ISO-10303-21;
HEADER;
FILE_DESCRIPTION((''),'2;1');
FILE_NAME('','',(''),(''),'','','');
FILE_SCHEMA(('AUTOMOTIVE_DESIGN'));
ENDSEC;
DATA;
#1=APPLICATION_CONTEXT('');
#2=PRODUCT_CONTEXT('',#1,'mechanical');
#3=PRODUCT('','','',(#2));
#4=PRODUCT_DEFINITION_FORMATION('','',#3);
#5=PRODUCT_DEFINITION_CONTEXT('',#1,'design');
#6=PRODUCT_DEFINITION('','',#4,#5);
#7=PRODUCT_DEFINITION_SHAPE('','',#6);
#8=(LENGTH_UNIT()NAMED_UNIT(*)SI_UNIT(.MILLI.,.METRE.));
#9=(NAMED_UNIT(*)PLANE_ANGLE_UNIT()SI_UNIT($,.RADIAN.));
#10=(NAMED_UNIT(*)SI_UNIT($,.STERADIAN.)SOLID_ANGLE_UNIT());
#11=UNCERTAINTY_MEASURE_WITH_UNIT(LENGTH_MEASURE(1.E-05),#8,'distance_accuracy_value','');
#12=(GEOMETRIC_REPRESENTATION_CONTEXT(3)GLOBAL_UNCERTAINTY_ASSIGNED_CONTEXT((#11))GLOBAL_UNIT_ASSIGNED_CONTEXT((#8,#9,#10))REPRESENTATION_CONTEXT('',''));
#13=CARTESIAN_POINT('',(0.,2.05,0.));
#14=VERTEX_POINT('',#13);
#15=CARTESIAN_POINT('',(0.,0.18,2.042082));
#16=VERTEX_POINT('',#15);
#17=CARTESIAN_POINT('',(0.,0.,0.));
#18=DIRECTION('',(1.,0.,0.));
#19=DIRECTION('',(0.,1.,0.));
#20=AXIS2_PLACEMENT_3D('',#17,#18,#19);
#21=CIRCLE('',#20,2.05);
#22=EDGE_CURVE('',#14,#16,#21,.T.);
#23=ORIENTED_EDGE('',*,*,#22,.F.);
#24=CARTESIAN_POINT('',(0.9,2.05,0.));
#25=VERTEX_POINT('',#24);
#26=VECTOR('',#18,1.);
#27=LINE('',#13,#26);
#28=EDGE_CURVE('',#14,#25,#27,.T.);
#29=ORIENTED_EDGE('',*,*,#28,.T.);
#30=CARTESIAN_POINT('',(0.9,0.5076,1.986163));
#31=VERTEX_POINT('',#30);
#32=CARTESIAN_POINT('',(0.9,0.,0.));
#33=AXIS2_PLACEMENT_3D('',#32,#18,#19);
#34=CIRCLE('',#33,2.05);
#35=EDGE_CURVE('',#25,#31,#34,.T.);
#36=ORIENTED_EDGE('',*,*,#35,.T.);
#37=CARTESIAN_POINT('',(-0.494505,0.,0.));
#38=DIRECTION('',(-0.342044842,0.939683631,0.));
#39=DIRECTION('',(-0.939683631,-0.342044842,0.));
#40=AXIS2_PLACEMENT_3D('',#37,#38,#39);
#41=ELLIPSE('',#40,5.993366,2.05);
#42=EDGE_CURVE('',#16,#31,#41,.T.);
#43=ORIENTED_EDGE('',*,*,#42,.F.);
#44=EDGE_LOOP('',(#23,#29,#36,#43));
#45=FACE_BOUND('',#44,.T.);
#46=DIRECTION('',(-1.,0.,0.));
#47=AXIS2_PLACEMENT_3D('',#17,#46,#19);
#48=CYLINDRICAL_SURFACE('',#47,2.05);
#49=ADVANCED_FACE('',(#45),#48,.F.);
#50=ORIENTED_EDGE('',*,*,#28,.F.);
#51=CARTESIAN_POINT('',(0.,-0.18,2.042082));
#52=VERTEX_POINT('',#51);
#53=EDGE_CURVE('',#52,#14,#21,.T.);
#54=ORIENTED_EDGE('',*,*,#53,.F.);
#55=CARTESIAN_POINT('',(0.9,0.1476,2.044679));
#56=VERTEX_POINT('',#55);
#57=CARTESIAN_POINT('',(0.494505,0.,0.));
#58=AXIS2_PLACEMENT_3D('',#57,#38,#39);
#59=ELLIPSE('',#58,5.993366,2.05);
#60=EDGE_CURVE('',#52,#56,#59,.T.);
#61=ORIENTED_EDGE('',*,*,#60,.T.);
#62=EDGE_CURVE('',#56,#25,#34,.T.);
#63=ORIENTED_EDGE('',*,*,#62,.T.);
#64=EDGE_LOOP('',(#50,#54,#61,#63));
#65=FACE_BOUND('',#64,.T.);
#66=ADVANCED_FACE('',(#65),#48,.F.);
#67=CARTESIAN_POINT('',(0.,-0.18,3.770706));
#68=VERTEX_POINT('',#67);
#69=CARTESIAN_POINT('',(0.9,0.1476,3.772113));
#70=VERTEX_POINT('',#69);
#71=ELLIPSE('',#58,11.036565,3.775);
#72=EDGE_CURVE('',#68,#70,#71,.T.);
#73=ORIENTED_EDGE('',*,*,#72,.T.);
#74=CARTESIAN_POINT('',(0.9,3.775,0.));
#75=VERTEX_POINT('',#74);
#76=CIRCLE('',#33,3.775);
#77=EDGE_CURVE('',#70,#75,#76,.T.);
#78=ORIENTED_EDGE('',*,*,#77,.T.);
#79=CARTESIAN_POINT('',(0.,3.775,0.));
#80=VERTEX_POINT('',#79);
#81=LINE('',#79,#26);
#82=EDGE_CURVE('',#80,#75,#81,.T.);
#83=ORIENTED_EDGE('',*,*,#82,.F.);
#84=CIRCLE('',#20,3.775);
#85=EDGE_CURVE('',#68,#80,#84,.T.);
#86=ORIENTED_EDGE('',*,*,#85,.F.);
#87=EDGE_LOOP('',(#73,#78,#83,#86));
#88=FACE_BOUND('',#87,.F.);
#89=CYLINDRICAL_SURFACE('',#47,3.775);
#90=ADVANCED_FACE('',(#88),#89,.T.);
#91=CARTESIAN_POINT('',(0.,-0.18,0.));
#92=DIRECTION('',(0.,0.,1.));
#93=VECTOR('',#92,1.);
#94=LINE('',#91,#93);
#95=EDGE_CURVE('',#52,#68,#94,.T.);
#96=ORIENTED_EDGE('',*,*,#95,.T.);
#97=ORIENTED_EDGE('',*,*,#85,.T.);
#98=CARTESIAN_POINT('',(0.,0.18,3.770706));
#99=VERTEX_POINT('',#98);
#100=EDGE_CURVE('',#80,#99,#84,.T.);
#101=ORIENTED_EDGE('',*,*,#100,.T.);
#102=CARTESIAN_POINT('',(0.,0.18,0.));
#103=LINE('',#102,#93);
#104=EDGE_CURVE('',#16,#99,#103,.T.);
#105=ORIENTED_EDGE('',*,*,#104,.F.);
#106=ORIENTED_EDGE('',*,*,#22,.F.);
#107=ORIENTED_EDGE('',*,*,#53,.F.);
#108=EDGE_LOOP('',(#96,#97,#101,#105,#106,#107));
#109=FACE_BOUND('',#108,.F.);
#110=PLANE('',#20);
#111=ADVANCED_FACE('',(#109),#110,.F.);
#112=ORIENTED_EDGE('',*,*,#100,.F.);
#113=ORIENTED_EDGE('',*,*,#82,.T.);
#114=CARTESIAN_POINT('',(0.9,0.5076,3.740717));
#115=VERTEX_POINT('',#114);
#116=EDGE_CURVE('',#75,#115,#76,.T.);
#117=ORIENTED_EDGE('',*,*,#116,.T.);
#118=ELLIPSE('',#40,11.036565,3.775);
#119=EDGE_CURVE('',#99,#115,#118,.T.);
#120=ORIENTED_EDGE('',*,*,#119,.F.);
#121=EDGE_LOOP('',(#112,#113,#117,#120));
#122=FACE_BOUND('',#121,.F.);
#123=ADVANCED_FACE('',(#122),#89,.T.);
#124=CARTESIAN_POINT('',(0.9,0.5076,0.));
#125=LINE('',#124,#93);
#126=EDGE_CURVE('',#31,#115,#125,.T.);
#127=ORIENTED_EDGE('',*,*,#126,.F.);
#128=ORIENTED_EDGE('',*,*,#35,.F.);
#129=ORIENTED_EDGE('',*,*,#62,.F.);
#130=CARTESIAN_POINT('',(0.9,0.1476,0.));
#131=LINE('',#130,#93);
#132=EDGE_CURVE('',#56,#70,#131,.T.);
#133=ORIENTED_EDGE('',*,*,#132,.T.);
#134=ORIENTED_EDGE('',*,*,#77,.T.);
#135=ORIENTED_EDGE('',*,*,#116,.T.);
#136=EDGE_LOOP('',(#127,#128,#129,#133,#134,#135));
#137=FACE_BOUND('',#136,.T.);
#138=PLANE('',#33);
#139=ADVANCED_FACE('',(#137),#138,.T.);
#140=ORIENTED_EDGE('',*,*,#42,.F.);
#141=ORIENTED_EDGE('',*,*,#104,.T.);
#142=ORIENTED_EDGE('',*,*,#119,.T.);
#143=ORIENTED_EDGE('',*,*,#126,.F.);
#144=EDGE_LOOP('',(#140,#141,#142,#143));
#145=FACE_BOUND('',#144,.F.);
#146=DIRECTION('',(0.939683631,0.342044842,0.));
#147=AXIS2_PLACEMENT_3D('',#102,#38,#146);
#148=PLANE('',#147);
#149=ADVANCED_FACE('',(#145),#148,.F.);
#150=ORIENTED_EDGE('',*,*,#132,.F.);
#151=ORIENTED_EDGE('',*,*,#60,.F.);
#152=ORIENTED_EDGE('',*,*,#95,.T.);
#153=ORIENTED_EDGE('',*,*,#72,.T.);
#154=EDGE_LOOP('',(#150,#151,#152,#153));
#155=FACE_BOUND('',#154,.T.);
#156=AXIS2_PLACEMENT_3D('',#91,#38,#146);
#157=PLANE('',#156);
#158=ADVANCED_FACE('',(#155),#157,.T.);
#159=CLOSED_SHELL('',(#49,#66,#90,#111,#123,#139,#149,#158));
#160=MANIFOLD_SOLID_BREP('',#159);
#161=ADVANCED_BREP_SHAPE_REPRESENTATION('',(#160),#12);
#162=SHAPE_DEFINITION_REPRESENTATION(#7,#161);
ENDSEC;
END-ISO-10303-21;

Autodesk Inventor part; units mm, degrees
ref_plane "YZ Plane" through (0, 0, 0) normal (1, 0, 0) x (0, 1, 0)
ref_plane "XZ Plane" through (0, 0, 0) normal (0, 1, 0) x (-1, 0, 0)
sketch "Sketch1" plane through (0, 0, 0) normal (1, 0, 0) x (0, 1, 0)
  circle A0 centre (0, 0) radius 3.775
  circle A1 centre (0, 0) radius 2.05
  dimension "d0" = 4.1
  dimension "d1" = 7.55
extrude "Body" add sketch "Sketch1" along normal blind 0.9
sketch "Sketch2" plane through (0, 0, 0) normal (0, 0, 1) x (1, 0, 0)
  line L0 (0, -2.05) -> (0, 2.05) projected
  line L1 (0.9, 3.775) -> (0.9, -3.775) projected
  line L2 (-1.2, 0) -> (7.2, 0) projected
  line L3 (0, -0.18) -> (0.9, 0.1476)
  line L4 (0, 0.18) -> (0.9, 0.5076)
  dimension "d4" = 0.18
  dimension "d5" = 0.18
  dimension "d6" = 70
extrude "Cut" cut sketch "Sketch2" along normal up to next contours L0 L2 L3 | L0 L4 L1 L3 L2
ref_plane "Work Plane1" through (0, 0, 0) normal (0, -1, 0) x (1, 0, 0)
equation "\"d0\" = SD1"
equation "\"d1\" = SD2"
equation "\"d2\" = SD"
equation "\"d4\" = 0.2 * SD"
equation "\"d5\" = 0.2 * SD"
equation "\"d6\" = FAWI"
equation "\"d7\" = SD"
equation "\"SD1\" = 4.1"
equation "\"SD2\" = 7.55"
equation "\"SD\" = 0.9"
equation "\"FAWI\" = 70deg"
equation "\"RR\" = 0.3"
equation "\"NND\" = 4"
properties part number "BS 4464 - M4 Form B" material "鋼、軟鋼"
